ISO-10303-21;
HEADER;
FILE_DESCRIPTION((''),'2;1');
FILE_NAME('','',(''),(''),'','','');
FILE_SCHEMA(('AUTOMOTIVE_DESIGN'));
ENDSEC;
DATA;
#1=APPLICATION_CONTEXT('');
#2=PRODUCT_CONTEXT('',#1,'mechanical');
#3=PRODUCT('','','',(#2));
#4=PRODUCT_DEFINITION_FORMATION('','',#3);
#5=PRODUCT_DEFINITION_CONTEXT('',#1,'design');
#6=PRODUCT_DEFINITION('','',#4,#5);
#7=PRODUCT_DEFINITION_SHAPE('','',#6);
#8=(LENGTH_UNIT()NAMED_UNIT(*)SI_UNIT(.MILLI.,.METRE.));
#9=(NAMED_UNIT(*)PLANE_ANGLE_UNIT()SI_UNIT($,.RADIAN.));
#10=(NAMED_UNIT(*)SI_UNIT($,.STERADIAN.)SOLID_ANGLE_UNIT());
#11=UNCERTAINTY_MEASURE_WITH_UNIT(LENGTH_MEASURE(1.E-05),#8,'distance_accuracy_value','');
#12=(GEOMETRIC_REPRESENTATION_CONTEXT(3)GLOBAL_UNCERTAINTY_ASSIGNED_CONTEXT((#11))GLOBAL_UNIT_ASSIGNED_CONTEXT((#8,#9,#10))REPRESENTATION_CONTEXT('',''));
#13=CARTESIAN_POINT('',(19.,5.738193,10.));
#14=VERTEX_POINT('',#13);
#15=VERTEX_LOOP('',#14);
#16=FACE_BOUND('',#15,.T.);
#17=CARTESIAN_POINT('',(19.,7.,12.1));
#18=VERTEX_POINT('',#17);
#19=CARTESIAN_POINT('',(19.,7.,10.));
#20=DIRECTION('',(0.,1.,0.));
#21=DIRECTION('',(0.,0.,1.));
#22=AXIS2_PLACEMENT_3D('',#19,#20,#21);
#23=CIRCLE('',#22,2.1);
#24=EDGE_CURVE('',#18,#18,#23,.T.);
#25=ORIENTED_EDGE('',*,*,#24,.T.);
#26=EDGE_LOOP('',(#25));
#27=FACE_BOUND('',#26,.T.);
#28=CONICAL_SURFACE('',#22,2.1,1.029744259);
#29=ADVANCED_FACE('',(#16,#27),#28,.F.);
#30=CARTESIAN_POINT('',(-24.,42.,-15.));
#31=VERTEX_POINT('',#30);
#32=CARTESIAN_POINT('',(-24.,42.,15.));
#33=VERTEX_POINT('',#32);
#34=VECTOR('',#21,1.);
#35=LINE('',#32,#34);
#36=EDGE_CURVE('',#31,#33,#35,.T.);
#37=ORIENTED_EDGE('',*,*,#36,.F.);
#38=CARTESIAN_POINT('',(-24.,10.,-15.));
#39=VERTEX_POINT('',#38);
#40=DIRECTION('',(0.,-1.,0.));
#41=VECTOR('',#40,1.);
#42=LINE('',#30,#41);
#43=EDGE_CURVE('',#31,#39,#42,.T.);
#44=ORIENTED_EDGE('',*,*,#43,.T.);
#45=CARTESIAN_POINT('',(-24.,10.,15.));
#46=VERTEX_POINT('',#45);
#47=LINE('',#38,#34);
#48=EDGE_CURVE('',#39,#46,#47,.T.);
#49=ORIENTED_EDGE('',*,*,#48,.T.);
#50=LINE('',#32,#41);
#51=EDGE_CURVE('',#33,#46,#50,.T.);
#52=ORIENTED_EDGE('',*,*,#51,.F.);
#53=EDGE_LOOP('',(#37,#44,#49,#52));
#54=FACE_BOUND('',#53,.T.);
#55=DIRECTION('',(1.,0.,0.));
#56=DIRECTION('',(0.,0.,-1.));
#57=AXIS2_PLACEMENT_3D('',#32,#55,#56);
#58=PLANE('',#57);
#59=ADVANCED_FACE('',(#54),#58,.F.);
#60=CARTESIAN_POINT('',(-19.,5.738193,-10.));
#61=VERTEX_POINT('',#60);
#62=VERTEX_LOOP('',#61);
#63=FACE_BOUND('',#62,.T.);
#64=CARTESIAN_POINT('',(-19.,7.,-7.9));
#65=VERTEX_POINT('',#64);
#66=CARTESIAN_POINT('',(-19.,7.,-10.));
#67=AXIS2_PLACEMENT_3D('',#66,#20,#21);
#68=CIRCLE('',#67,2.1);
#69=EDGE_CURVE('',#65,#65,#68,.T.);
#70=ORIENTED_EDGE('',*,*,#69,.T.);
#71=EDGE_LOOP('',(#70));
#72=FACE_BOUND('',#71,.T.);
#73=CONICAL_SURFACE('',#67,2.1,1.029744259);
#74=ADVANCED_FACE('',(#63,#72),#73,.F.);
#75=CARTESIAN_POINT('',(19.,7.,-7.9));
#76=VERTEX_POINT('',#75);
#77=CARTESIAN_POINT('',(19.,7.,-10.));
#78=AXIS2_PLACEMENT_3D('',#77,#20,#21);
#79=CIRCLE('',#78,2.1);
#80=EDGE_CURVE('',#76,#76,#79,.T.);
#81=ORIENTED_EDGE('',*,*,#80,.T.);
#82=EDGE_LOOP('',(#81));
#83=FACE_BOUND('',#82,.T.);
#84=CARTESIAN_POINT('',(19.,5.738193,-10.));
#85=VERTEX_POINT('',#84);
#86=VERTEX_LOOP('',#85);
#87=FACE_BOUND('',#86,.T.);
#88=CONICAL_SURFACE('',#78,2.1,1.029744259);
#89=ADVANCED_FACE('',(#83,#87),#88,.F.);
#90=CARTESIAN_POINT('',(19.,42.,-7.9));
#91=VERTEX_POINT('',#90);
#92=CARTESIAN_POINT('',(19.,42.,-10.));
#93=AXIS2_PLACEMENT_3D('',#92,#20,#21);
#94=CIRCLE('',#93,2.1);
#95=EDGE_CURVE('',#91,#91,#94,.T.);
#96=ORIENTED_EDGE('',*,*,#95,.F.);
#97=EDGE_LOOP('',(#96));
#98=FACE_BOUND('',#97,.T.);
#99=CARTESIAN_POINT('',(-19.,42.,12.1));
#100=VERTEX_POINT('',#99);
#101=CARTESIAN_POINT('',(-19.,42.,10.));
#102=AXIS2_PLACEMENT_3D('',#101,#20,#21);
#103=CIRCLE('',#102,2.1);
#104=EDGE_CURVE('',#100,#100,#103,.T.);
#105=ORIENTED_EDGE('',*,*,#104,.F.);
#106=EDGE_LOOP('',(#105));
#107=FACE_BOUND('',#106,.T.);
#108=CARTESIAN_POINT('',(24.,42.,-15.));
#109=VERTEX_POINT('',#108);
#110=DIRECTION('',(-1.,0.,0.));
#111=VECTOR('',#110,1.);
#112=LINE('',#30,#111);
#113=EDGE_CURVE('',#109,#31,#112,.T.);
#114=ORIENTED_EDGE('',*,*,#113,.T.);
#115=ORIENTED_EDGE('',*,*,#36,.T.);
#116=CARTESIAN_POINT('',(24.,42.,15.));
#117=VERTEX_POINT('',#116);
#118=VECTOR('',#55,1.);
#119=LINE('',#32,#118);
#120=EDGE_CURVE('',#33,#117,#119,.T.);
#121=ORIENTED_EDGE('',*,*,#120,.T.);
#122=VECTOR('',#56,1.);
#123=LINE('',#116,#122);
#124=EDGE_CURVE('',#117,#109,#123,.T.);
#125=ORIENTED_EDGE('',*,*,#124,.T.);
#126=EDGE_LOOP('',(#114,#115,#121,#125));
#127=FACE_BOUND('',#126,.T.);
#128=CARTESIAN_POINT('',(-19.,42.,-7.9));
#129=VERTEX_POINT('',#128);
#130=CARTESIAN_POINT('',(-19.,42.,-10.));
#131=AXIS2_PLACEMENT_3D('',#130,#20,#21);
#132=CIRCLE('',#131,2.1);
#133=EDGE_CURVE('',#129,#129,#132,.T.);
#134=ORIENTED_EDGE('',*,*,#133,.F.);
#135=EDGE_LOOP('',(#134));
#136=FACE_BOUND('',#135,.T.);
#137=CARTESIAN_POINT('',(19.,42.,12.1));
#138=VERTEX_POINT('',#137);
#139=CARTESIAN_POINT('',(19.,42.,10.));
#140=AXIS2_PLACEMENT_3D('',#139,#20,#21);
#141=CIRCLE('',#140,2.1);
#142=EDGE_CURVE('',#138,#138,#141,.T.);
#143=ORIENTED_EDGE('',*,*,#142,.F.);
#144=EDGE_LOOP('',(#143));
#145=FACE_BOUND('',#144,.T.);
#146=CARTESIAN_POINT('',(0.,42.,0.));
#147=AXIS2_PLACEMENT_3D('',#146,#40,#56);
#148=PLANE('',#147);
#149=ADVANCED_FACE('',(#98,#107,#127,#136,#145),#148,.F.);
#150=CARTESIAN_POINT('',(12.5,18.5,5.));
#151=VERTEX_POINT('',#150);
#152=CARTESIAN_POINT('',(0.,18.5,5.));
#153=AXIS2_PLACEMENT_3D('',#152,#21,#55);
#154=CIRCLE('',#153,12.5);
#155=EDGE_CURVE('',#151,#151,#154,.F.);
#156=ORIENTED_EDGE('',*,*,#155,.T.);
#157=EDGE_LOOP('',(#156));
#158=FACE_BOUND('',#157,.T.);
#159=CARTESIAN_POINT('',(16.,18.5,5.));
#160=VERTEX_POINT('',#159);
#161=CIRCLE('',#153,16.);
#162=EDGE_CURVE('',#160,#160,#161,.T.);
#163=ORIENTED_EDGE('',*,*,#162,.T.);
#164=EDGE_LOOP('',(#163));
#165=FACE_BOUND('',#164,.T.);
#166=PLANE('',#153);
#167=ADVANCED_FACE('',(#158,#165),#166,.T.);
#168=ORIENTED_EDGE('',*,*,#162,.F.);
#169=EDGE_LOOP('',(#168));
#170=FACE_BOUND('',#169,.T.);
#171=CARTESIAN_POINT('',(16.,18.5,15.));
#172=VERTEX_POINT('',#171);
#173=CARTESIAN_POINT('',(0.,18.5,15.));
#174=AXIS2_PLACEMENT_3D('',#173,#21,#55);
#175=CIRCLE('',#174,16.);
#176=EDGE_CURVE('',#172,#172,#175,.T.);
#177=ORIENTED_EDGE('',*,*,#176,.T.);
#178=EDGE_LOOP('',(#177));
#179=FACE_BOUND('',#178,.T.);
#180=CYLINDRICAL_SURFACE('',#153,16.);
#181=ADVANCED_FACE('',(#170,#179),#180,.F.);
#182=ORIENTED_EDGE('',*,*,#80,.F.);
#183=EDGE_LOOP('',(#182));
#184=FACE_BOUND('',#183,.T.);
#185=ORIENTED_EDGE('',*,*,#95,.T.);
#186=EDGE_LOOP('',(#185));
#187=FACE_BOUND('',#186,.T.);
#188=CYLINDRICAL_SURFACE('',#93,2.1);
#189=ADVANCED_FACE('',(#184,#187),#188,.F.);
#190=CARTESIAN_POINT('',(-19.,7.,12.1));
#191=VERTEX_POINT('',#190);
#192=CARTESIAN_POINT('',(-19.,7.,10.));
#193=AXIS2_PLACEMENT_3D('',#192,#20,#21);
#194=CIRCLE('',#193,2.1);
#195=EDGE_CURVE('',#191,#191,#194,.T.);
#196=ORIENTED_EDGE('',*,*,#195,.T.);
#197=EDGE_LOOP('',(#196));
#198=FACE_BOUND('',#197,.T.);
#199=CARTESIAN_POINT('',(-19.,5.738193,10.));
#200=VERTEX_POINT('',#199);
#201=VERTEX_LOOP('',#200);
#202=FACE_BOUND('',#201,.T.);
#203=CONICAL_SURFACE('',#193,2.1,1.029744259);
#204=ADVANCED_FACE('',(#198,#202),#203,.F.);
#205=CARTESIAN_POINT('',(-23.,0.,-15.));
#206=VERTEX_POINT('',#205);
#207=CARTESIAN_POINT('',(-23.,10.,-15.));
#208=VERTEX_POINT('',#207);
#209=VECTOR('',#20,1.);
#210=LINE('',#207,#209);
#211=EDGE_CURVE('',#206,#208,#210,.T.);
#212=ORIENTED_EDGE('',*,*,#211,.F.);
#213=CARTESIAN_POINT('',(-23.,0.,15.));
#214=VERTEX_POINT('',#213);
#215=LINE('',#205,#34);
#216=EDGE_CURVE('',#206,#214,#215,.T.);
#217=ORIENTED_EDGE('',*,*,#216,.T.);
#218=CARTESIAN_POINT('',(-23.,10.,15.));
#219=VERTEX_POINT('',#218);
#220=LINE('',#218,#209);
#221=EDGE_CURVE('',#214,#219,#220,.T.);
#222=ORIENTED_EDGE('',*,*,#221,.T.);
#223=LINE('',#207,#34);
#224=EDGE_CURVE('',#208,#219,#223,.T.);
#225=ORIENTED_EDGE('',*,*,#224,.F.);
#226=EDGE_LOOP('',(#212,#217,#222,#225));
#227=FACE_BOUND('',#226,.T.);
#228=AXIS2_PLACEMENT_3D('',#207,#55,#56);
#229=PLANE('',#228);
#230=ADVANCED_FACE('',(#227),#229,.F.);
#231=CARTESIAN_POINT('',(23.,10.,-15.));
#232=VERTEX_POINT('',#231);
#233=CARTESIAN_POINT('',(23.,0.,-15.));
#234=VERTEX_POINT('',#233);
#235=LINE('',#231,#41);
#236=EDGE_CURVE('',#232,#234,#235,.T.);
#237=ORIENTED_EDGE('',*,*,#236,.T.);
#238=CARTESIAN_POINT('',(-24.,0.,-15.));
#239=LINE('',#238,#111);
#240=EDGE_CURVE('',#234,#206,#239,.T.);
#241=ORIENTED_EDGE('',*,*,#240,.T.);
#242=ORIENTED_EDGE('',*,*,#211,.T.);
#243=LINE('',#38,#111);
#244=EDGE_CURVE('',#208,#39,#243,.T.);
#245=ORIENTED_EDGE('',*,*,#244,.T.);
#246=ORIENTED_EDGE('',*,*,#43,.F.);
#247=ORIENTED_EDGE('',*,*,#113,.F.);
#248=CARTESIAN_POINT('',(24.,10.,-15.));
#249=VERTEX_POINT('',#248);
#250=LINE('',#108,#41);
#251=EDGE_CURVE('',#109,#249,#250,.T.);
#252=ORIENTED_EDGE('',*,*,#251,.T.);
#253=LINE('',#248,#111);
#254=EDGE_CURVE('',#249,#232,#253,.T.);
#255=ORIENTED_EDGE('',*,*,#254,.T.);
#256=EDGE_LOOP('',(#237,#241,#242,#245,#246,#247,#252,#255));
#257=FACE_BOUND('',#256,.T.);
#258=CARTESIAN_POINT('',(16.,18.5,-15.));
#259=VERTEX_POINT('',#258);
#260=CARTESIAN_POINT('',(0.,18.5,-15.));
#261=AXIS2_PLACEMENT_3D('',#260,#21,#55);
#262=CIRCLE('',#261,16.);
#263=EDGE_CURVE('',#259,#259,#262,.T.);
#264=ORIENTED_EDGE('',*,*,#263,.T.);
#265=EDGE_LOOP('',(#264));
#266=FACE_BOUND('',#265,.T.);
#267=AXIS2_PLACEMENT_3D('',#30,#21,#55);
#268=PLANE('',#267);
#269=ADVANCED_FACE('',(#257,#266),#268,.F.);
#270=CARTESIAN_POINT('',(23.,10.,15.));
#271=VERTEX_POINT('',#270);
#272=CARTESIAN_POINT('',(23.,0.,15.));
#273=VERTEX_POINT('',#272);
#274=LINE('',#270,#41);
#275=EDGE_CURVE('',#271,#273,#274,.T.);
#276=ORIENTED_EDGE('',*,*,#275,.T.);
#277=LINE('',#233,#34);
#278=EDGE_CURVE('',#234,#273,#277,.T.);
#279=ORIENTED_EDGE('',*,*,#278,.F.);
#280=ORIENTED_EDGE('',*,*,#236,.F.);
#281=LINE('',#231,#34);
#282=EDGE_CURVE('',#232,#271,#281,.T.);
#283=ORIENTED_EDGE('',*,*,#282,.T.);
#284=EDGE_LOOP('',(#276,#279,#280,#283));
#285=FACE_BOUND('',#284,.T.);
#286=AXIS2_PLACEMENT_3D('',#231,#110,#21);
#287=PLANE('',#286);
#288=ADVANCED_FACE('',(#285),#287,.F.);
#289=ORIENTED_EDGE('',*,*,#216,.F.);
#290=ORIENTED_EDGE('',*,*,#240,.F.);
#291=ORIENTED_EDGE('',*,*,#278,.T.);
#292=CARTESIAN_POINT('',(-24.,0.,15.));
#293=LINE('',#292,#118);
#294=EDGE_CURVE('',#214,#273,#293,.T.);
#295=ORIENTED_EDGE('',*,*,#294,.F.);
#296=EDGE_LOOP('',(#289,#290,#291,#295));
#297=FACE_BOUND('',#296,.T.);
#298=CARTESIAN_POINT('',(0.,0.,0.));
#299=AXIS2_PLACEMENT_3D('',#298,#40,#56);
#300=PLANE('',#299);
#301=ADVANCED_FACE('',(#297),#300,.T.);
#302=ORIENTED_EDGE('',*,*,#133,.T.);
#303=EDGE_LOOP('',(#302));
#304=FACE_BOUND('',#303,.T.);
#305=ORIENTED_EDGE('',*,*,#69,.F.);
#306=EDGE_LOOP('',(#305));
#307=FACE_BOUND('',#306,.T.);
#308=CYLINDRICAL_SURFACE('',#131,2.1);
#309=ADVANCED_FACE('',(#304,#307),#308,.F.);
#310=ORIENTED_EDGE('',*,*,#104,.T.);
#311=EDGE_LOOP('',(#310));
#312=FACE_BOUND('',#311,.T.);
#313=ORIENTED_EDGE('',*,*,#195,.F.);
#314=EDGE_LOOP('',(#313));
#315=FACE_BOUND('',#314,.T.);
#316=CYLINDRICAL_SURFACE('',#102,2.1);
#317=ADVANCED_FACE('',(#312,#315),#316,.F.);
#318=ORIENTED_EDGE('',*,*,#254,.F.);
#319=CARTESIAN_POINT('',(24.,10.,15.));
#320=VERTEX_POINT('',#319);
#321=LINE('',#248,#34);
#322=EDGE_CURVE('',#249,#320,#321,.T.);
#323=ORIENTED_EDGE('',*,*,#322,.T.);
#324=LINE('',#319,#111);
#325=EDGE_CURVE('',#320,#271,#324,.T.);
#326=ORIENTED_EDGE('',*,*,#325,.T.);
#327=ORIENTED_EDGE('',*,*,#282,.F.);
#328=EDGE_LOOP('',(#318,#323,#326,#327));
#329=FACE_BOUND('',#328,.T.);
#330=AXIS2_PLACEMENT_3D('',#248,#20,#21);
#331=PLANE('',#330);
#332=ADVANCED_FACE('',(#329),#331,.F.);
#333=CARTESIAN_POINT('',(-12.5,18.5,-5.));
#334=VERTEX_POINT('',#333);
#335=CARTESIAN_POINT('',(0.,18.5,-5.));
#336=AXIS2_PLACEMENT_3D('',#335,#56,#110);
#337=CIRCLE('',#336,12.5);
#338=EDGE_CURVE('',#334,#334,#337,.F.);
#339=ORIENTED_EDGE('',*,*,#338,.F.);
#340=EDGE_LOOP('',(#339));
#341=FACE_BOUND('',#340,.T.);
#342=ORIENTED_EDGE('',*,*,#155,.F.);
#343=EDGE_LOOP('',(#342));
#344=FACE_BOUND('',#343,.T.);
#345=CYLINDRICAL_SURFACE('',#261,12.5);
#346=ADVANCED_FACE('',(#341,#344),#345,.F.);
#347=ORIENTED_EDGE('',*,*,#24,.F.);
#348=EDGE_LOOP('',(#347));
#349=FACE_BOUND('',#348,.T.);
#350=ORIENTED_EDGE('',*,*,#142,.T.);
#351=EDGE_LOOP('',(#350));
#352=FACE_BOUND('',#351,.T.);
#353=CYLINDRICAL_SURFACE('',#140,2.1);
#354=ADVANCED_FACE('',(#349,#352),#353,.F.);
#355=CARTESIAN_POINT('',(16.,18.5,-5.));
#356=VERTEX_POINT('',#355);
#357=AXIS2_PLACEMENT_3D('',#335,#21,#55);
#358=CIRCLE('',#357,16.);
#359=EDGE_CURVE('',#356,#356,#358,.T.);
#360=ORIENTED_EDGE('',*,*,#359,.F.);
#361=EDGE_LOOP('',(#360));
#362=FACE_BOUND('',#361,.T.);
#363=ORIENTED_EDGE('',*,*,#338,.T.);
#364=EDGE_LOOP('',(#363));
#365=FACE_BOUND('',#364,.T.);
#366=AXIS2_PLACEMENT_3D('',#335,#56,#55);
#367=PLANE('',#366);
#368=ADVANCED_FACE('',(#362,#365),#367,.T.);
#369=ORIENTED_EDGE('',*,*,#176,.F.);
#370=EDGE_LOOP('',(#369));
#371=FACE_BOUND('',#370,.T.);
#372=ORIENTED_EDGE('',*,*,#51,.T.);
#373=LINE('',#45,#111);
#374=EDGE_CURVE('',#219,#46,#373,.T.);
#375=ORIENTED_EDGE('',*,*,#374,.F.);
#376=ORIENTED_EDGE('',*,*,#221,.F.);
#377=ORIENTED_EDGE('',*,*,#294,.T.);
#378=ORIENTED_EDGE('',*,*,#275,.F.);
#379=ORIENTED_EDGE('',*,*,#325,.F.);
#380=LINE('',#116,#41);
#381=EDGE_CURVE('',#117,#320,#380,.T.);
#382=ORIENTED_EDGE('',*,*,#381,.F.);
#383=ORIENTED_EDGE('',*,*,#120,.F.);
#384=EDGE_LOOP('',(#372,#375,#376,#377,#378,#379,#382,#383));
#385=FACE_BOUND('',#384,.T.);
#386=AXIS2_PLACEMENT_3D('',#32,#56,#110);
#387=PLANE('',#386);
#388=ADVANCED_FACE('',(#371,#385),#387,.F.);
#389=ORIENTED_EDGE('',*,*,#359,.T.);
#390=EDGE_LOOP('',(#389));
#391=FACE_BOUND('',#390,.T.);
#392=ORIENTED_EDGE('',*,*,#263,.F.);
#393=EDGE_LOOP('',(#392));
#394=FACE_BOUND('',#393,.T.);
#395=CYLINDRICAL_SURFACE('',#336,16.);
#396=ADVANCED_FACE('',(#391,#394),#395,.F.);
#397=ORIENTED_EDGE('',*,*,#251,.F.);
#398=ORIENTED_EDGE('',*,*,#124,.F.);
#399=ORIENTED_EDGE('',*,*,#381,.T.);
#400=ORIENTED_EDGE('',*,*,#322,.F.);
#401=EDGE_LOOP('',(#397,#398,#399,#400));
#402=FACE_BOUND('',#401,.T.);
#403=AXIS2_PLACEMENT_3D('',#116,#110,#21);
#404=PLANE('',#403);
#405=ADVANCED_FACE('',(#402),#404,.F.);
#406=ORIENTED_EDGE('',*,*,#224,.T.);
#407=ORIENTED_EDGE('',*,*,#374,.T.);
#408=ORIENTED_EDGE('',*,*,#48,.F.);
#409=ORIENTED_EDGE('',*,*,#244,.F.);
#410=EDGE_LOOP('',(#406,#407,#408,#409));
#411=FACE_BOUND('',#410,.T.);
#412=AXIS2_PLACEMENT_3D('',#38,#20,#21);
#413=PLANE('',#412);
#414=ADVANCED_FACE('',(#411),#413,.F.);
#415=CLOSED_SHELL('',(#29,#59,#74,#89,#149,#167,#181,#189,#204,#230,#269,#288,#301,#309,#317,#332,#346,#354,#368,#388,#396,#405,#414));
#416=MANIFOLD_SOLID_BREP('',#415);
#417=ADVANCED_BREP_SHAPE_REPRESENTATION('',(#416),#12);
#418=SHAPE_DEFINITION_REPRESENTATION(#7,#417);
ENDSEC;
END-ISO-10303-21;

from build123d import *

# Parameters (mm, degrees)
SZKIC1_W                       = 48
SZKIC1_H                       = 30
DODANIE_WYCI_GNI_CIE1_DEPTH    = 42
SZKIC3_R                       = 12.5
WYTNIJ_WYCI_GNI_CIE2_DEPTH     = 57.920997883
SZKIC4_R                       = 16
WYTNIJ_WYCI_GNI_CIE3_DEPTH     = 10
OTW_R_GWINTOWANY_M5X0_81_D     = 4.2
OTW_R_GWINTOWANY_M5X0_81_DEPTH = 35
OTW_R_GWINTOWANY_M5X0_81_TIP   = 1.2618073
SZKIC10_W                      = 1
SZKIC10_H                      = 10
WYTNIJ_WYCI_GNI_CIE4_DEPTH     = 57.920997883


with BuildPart() as part:
    # Szkic1 → Dodanie-wyciągnięcie1 (new body)
    with BuildSketch(Plane(origin=(0, 0, 0), x_dir=(1, 0, 0), z_dir=(0, 1, 0))):
        Rectangle(SZKIC1_W, SZKIC1_H)
    extrude(amount=DODANIE_WYCI_GNI_CIE1_DEPTH)

    # Szkic3 → Wytnij-wyciągnięcie2 (cut, through all)
    with BuildSketch(Plane.XY.offset(15)):
        with Locations((0, 18.5)):
            Circle(SZKIC3_R)
    extrude(amount=-WYTNIJ_WYCI_GNI_CIE2_DEPTH, mode=Mode.SUBTRACT)

    # Szkic4 → Wytnij-wyciągnięcie3 (cut)
    with BuildSketch(Plane.XY.offset(15)):
        with Locations((0, 18.5)):
            Circle(SZKIC4_R)
    wytnij_wyci_gni_cie3 = extrude(amount=-WYTNIJ_WYCI_GNI_CIE3_DEPTH, mode=Mode.SUBTRACT)

    # Lustro1: Wytnij-wyciągnięcie3 across plane
    add(wytnij_wyci_gni_cie3.mirror(Plane.XY), mode=Mode.SUBTRACT)

    # Otwór gwintowany M5x0.81
    with Locations(Plane(origin=(0, 42, 0), x_dir=(1, 0, 0), z_dir=(0, 1, 0))):
        with Locations((-19, -10), (-19, 10), (19, -10), (19, 10)):
            Hole(OTW_R_GWINTOWANY_M5X0_81_D / 2, depth=OTW_R_GWINTOWANY_M5X0_81_DEPTH)
            with Locations((0, 0, -(OTW_R_GWINTOWANY_M5X0_81_DEPTH + OTW_R_GWINTOWANY_M5X0_81_TIP / 2))):  # 118° drill point
                Cone(0, OTW_R_GWINTOWANY_M5X0_81_D / 2, OTW_R_GWINTOWANY_M5X0_81_TIP, mode=Mode.SUBTRACT)

    # Szkic10 → Wytnij-wyciągnięcie4 (cut, through all)
    with BuildSketch(Plane.XY.offset(15)):
        with Locations((23.5, 5)):
            Rectangle(SZKIC10_W, SZKIC10_H)
        with Locations((-23.5, 5)):
            Rectangle(SZKIC10_W, SZKIC10_H)
    extrude(amount=-WYTNIJ_WYCI_GNI_CIE4_DEPTH, mode=Mode.SUBTRACT)


solid = part.part
